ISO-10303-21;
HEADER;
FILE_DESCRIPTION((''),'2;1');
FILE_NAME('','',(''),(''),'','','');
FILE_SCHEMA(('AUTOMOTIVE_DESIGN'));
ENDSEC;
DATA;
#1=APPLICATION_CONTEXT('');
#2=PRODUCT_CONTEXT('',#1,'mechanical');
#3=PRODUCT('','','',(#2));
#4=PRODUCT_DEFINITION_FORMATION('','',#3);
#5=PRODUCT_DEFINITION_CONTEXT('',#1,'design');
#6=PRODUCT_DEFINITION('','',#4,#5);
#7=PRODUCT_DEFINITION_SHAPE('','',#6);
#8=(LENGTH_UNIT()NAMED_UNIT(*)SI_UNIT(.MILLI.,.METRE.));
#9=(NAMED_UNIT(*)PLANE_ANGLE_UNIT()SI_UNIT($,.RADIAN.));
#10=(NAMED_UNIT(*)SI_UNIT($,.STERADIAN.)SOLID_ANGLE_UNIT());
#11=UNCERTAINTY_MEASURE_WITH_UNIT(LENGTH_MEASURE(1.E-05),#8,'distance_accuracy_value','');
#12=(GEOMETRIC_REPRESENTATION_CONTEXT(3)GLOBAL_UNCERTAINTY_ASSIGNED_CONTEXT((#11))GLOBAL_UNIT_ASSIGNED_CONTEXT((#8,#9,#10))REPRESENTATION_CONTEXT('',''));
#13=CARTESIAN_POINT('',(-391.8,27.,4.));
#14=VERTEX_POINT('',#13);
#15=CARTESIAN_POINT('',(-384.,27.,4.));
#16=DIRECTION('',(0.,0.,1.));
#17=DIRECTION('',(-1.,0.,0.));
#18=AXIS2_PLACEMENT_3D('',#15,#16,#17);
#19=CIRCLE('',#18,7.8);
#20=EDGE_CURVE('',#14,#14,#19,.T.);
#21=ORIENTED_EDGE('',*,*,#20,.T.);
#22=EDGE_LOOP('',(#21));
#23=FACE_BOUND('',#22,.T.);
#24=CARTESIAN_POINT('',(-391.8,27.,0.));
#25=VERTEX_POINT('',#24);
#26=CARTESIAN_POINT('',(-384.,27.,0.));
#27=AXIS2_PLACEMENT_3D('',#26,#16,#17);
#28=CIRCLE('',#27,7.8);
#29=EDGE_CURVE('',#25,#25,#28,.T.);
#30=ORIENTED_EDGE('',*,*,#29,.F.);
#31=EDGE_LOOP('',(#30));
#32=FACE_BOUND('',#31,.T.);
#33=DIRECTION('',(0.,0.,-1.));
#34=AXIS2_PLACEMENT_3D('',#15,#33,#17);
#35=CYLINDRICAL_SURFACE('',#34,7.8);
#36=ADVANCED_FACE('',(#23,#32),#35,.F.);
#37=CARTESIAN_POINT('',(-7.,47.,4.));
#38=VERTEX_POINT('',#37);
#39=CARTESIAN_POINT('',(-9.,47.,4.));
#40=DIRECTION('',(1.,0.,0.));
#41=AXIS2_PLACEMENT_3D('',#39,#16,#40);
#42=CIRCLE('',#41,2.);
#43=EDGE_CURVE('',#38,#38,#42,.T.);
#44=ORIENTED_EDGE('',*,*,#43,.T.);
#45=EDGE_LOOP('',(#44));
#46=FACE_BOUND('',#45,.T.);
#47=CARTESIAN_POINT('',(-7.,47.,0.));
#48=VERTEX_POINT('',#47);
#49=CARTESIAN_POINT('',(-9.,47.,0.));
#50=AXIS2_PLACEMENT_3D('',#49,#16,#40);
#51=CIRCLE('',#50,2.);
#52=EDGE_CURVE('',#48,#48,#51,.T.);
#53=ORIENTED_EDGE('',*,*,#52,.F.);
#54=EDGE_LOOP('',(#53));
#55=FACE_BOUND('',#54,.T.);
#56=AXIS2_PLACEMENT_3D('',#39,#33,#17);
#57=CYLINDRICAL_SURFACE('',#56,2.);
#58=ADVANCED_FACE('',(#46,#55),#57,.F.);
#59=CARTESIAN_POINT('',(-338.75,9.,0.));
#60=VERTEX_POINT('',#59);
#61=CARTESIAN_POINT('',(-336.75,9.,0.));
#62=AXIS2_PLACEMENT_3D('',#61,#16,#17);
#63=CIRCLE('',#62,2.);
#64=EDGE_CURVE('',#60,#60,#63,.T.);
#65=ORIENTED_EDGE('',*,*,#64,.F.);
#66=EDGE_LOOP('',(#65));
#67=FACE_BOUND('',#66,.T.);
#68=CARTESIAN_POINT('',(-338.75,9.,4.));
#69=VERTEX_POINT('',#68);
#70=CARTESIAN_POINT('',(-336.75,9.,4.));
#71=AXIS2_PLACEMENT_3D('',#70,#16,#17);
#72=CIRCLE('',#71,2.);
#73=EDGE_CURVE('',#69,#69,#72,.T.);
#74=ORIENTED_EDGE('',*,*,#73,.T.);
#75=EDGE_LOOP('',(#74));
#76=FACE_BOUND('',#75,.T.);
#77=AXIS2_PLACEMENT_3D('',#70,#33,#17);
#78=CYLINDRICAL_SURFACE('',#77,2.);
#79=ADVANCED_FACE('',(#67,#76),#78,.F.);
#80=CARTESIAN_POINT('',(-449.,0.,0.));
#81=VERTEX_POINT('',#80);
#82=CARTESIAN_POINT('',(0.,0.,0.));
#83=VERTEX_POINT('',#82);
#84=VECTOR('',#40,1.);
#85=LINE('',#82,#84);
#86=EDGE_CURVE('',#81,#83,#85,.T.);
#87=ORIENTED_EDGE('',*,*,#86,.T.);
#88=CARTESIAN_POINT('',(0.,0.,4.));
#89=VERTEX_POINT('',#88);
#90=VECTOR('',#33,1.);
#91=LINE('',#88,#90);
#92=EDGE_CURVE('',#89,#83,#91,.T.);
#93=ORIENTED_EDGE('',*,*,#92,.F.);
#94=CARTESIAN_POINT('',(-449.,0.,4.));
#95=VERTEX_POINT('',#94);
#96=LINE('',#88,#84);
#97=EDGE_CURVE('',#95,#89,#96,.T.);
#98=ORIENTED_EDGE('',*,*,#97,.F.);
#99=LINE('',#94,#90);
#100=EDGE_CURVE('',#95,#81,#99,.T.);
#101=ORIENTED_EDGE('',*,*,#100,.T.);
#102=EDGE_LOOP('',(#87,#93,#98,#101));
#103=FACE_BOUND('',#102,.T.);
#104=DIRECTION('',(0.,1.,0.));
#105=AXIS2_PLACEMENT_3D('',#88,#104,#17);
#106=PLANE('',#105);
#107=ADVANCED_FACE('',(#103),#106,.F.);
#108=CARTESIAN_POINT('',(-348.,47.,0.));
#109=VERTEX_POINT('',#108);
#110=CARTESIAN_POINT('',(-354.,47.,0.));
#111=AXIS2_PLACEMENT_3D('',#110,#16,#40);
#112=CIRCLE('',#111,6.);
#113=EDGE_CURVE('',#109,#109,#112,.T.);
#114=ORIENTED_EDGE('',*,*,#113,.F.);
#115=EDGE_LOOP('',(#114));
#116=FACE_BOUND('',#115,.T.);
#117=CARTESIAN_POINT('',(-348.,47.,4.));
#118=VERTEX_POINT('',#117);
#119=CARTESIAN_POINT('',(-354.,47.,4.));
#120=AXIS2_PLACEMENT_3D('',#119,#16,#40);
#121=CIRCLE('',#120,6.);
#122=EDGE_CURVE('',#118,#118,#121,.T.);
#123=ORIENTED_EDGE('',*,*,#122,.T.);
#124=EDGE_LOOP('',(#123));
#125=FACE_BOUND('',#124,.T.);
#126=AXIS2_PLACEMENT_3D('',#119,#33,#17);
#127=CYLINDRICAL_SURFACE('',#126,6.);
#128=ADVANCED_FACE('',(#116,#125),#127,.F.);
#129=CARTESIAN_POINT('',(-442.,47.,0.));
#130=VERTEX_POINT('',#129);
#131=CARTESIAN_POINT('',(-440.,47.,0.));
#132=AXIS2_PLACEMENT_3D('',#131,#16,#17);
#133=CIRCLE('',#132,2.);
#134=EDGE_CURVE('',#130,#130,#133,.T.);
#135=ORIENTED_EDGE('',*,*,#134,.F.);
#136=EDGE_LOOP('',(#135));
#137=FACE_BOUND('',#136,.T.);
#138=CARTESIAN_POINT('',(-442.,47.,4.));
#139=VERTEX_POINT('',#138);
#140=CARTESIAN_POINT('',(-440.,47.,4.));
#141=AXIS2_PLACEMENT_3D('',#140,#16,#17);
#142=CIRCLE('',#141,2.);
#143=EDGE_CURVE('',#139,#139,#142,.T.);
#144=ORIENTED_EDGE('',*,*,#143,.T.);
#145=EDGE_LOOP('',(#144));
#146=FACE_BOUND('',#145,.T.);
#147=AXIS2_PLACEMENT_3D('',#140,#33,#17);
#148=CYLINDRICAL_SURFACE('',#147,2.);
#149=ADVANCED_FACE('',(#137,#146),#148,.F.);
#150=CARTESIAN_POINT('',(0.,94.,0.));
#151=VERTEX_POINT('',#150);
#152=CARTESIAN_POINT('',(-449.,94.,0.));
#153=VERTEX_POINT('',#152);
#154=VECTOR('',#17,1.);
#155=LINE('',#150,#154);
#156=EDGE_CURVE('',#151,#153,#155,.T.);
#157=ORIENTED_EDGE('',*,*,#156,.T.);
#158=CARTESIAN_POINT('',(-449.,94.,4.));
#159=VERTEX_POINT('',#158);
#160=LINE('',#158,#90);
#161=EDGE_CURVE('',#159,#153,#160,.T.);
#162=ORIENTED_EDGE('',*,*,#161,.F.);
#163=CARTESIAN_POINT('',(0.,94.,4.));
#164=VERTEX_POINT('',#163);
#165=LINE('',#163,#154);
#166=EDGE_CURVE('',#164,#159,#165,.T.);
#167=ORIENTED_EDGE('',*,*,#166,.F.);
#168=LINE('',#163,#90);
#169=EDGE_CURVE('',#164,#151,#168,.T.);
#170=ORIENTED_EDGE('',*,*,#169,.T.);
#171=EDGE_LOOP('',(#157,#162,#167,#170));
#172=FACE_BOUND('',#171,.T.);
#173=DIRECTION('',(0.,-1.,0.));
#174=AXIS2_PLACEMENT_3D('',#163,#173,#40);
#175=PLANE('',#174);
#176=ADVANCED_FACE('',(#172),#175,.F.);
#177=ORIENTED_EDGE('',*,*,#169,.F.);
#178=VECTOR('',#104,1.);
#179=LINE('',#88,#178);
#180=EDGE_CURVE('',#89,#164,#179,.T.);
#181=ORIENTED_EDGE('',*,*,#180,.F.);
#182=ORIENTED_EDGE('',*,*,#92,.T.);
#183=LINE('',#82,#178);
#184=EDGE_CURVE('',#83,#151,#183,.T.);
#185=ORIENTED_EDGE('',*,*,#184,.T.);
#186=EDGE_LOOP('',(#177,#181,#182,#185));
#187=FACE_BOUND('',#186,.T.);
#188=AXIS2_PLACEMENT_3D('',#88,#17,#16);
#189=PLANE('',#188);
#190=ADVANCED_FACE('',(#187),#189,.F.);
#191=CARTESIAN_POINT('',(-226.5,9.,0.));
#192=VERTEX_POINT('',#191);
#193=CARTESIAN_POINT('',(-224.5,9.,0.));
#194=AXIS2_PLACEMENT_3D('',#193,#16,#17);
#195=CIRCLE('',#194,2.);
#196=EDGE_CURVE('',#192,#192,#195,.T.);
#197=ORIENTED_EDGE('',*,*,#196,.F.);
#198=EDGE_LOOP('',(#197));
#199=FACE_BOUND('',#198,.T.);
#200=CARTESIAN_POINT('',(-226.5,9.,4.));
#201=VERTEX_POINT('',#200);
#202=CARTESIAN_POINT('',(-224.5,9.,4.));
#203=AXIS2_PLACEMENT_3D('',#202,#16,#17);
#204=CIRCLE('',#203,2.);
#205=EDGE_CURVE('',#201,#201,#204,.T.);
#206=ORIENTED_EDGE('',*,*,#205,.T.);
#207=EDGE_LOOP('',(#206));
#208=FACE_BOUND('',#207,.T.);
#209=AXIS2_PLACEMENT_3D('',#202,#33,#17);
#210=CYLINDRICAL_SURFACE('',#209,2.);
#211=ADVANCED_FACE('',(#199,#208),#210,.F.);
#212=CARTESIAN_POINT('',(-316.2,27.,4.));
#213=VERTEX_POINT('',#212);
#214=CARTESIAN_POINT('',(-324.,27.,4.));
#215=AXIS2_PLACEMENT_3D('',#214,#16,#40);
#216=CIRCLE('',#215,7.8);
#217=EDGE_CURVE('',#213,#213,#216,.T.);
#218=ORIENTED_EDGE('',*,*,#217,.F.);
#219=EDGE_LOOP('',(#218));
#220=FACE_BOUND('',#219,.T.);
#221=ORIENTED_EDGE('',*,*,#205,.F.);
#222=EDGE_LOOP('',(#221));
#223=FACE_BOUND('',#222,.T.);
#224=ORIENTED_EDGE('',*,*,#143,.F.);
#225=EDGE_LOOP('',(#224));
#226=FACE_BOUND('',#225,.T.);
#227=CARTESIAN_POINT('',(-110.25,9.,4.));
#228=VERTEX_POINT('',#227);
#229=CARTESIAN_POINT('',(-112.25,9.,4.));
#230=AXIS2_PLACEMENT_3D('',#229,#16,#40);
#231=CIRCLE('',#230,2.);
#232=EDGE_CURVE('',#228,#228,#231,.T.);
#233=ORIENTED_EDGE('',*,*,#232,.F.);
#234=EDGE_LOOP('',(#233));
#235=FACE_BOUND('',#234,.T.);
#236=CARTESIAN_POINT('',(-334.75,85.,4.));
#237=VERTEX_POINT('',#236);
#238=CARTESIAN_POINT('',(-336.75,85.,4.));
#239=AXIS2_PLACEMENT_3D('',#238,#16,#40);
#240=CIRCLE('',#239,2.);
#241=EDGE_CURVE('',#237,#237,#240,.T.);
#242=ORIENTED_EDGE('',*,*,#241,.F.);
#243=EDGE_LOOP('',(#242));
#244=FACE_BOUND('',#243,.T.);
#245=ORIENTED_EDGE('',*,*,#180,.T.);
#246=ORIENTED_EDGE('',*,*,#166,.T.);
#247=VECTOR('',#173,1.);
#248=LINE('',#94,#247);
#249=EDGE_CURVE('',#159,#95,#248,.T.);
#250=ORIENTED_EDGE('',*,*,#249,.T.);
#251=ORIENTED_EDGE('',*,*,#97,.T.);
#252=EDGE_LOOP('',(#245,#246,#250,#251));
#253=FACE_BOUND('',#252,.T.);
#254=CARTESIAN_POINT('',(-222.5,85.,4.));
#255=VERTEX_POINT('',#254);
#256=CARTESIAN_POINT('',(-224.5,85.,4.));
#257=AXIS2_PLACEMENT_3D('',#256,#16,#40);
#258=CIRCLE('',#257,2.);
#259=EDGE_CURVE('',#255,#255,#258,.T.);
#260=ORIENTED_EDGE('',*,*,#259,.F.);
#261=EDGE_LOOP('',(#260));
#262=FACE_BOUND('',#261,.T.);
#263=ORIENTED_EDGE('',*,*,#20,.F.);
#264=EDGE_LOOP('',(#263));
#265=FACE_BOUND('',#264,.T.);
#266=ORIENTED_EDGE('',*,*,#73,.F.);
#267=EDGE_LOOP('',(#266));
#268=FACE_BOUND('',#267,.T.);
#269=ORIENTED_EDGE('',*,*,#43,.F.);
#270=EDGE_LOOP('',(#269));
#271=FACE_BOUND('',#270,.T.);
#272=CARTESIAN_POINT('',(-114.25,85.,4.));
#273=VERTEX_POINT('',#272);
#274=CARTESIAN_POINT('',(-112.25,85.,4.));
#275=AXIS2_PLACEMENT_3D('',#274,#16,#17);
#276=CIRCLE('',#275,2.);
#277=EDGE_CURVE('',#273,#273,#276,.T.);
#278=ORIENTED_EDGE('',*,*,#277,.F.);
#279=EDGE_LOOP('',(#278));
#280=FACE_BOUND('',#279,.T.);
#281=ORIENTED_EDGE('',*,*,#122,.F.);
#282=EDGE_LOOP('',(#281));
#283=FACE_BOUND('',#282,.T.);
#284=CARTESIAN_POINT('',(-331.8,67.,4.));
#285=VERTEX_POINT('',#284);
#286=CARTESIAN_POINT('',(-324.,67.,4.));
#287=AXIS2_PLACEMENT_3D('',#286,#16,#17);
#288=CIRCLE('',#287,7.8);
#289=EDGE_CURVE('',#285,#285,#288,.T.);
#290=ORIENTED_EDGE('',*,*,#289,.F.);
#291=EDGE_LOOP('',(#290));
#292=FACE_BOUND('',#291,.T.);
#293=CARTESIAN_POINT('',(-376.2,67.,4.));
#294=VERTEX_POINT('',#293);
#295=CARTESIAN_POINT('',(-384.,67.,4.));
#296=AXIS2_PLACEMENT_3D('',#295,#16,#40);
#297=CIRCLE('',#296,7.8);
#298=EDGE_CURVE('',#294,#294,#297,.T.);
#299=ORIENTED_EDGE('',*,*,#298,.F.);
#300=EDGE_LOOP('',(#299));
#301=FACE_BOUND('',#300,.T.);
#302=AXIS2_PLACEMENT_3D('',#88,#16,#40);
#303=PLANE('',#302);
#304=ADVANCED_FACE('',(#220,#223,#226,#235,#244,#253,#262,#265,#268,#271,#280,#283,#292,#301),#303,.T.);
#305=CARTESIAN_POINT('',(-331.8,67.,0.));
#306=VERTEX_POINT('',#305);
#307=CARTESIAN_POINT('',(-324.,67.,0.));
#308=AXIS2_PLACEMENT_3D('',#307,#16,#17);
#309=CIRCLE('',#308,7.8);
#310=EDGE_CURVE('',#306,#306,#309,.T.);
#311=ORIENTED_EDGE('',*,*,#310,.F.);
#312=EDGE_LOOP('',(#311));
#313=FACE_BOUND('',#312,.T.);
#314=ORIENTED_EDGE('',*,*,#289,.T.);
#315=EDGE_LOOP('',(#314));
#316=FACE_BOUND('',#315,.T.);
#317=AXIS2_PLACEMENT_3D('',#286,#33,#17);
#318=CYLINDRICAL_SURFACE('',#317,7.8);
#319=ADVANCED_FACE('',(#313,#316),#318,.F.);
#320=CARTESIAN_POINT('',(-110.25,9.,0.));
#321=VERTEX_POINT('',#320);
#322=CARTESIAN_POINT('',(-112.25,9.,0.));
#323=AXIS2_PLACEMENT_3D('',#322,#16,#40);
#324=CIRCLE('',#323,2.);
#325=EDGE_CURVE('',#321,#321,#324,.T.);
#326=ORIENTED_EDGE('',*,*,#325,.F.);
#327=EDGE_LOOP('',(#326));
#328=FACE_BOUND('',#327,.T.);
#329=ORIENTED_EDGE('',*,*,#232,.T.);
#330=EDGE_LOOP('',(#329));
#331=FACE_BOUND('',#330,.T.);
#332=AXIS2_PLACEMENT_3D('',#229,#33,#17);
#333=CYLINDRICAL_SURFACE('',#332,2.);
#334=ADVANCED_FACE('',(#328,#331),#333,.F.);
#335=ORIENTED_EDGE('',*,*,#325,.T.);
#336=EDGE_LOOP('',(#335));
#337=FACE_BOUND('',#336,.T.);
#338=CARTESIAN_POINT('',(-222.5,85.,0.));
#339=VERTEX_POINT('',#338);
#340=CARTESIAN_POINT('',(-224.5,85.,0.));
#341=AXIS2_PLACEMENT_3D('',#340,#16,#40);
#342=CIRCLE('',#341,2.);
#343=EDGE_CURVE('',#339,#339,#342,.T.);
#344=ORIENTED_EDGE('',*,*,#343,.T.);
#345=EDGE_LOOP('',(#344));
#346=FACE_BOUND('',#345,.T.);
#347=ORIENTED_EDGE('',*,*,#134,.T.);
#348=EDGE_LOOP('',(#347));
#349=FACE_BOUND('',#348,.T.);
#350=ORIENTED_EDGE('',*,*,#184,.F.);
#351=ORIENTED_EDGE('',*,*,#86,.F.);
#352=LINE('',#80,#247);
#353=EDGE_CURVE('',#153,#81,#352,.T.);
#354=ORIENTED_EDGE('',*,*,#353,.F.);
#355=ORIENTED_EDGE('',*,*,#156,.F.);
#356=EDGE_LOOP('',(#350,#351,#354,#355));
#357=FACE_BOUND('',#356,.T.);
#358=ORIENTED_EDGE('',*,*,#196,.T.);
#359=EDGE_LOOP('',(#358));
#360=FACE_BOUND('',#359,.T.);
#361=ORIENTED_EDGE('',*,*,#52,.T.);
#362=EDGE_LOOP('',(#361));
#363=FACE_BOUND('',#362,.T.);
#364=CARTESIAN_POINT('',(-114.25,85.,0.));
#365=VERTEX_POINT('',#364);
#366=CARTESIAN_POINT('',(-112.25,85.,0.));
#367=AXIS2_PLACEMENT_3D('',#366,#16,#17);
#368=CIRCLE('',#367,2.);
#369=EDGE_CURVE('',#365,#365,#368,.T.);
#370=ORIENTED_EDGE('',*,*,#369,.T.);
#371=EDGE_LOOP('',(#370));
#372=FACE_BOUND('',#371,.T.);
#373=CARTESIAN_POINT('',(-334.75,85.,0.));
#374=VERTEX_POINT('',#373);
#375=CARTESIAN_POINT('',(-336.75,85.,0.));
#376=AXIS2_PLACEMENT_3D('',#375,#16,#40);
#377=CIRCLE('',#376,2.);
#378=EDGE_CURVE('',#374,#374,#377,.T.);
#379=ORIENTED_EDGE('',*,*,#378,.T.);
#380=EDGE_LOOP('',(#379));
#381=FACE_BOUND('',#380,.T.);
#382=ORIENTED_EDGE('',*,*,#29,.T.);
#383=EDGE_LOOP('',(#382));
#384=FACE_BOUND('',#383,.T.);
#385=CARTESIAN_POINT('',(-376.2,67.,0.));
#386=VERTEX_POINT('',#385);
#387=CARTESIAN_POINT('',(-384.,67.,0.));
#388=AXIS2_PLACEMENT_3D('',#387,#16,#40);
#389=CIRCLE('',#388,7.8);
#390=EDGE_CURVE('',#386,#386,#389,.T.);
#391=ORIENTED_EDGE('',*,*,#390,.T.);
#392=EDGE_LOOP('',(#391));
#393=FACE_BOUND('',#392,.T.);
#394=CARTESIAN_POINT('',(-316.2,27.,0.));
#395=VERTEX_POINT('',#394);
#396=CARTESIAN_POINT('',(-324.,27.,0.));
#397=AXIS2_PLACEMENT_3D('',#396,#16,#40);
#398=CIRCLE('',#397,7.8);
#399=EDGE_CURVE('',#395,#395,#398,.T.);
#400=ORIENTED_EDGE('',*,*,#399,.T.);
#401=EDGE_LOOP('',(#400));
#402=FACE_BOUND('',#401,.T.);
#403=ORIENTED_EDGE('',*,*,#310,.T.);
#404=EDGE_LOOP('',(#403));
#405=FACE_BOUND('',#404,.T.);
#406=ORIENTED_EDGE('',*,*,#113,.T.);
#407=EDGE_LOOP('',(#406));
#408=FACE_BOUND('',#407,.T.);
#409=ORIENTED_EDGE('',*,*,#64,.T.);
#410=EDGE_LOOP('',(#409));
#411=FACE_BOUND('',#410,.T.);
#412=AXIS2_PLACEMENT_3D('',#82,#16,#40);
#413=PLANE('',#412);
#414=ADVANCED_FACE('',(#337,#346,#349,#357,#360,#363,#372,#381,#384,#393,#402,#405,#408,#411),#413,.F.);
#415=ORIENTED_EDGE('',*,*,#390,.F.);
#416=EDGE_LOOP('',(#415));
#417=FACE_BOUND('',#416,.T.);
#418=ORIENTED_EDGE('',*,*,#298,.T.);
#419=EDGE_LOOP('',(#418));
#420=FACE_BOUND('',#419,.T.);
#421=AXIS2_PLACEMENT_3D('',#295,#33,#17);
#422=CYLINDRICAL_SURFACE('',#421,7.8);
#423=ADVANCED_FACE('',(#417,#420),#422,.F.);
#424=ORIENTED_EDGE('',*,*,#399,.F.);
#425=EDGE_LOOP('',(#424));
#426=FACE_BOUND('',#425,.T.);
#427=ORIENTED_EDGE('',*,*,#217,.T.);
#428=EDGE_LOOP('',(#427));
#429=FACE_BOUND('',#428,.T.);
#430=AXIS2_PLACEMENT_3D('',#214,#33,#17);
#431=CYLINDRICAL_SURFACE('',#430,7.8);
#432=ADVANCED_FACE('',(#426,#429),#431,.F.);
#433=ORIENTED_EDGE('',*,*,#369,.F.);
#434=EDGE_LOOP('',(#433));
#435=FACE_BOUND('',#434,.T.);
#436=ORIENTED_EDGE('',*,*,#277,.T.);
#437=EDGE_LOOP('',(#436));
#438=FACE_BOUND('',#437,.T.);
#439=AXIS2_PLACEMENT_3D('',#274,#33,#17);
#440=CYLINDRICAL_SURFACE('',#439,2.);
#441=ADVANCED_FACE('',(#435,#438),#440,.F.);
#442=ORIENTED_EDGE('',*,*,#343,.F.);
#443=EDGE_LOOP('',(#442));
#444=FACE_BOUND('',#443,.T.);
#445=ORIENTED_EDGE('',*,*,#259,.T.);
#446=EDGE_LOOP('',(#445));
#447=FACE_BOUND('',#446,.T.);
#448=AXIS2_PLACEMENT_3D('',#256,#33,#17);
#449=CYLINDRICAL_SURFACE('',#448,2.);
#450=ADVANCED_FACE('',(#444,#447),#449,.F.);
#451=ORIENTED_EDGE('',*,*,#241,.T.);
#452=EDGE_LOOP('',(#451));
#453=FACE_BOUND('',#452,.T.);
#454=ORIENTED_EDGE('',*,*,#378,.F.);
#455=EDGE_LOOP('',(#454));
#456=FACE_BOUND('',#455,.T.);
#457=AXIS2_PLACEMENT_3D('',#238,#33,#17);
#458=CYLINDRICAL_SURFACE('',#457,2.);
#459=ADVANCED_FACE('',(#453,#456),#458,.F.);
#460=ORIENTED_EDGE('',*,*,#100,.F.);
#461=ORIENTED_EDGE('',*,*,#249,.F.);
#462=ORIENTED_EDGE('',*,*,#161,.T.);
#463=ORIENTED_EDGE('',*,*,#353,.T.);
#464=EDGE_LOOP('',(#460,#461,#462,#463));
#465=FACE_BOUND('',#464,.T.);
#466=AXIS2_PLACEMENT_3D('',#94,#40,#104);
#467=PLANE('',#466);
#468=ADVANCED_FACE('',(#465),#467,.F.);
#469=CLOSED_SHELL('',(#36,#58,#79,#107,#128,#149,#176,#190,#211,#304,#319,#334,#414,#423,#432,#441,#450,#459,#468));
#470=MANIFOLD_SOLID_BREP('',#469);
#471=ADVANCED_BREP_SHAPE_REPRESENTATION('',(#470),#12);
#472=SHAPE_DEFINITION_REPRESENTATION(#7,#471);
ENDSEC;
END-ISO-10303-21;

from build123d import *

# Parameters (mm, degrees)
SCHIZZO1_W                   = 449
SCHIZZO1_H                   = 94
SCHIZZO1_R                   = 7.8
SCHIZZO1_R_2                 = 2
SCHIZZO1_R_3                 = 6
ESTRUSIONE_ESTRUSIONE1_DEPTH = 4


with BuildPart() as part:
    # Schizzo1 → Estrusione-Estrusione1 (new body)
    with BuildSketch(Plane.XY):
        with Locations((-224.5, 47)):
            Rectangle(SCHIZZO1_W, SCHIZZO1_H)
        with Locations(Location((-384, 27, 0), (0, 0, 180))):
            Circle(SCHIZZO1_R, mode=Mode.SUBTRACT)
        with Locations((-9, 47)):
            Circle(SCHIZZO1_R_2, mode=Mode.SUBTRACT)
        with Locations((-224.5, 85)):
            Circle(SCHIZZO1_R_2, mode=Mode.SUBTRACT)
        with Locations(Location((-440, 47, 0), (0, 0, 180))):
            Circle(SCHIZZO1_R_2, mode=Mode.SUBTRACT)
        with Locations(Location((-224.5, 9, 0), (0, 0, 180))):
            Circle(SCHIZZO1_R_2, mode=Mode.SUBTRACT)
        with Locations((-324, 27)):
            Circle(SCHIZZO1_R, mode=Mode.SUBTRACT)
        with Locations(Location((-324, 67, 0), (0, 0, 180))):
            Circle(SCHIZZO1_R, mode=Mode.SUBTRACT)
        with Locations((-336.75, 85)):
            Circle(SCHIZZO1_R_2, mode=Mode.SUBTRACT)
        with Locations((-384, 67)):
            Circle(SCHIZZO1_R, mode=Mode.SUBTRACT)
        with Locations(Location((-336.75, 9, 0), (0, 0, 180))):
            Circle(SCHIZZO1_R_2, mode=Mode.SUBTRACT)
        with Locations((-112.25, 9)):
            Circle(SCHIZZO1_R_2, mode=Mode.SUBTRACT)
        with Locations(Location((-112.25, 85, 0), (0, 0, 180))):
            Circle(SCHIZZO1_R_2, mode=Mode.SUBTRACT)
        with Locations((-354, 47)):
            Circle(SCHIZZO1_R_3, mode=Mode.SUBTRACT)
    extrude(amount=ESTRUSIONE_ESTRUSIONE1_DEPTH)


solid = part.part
